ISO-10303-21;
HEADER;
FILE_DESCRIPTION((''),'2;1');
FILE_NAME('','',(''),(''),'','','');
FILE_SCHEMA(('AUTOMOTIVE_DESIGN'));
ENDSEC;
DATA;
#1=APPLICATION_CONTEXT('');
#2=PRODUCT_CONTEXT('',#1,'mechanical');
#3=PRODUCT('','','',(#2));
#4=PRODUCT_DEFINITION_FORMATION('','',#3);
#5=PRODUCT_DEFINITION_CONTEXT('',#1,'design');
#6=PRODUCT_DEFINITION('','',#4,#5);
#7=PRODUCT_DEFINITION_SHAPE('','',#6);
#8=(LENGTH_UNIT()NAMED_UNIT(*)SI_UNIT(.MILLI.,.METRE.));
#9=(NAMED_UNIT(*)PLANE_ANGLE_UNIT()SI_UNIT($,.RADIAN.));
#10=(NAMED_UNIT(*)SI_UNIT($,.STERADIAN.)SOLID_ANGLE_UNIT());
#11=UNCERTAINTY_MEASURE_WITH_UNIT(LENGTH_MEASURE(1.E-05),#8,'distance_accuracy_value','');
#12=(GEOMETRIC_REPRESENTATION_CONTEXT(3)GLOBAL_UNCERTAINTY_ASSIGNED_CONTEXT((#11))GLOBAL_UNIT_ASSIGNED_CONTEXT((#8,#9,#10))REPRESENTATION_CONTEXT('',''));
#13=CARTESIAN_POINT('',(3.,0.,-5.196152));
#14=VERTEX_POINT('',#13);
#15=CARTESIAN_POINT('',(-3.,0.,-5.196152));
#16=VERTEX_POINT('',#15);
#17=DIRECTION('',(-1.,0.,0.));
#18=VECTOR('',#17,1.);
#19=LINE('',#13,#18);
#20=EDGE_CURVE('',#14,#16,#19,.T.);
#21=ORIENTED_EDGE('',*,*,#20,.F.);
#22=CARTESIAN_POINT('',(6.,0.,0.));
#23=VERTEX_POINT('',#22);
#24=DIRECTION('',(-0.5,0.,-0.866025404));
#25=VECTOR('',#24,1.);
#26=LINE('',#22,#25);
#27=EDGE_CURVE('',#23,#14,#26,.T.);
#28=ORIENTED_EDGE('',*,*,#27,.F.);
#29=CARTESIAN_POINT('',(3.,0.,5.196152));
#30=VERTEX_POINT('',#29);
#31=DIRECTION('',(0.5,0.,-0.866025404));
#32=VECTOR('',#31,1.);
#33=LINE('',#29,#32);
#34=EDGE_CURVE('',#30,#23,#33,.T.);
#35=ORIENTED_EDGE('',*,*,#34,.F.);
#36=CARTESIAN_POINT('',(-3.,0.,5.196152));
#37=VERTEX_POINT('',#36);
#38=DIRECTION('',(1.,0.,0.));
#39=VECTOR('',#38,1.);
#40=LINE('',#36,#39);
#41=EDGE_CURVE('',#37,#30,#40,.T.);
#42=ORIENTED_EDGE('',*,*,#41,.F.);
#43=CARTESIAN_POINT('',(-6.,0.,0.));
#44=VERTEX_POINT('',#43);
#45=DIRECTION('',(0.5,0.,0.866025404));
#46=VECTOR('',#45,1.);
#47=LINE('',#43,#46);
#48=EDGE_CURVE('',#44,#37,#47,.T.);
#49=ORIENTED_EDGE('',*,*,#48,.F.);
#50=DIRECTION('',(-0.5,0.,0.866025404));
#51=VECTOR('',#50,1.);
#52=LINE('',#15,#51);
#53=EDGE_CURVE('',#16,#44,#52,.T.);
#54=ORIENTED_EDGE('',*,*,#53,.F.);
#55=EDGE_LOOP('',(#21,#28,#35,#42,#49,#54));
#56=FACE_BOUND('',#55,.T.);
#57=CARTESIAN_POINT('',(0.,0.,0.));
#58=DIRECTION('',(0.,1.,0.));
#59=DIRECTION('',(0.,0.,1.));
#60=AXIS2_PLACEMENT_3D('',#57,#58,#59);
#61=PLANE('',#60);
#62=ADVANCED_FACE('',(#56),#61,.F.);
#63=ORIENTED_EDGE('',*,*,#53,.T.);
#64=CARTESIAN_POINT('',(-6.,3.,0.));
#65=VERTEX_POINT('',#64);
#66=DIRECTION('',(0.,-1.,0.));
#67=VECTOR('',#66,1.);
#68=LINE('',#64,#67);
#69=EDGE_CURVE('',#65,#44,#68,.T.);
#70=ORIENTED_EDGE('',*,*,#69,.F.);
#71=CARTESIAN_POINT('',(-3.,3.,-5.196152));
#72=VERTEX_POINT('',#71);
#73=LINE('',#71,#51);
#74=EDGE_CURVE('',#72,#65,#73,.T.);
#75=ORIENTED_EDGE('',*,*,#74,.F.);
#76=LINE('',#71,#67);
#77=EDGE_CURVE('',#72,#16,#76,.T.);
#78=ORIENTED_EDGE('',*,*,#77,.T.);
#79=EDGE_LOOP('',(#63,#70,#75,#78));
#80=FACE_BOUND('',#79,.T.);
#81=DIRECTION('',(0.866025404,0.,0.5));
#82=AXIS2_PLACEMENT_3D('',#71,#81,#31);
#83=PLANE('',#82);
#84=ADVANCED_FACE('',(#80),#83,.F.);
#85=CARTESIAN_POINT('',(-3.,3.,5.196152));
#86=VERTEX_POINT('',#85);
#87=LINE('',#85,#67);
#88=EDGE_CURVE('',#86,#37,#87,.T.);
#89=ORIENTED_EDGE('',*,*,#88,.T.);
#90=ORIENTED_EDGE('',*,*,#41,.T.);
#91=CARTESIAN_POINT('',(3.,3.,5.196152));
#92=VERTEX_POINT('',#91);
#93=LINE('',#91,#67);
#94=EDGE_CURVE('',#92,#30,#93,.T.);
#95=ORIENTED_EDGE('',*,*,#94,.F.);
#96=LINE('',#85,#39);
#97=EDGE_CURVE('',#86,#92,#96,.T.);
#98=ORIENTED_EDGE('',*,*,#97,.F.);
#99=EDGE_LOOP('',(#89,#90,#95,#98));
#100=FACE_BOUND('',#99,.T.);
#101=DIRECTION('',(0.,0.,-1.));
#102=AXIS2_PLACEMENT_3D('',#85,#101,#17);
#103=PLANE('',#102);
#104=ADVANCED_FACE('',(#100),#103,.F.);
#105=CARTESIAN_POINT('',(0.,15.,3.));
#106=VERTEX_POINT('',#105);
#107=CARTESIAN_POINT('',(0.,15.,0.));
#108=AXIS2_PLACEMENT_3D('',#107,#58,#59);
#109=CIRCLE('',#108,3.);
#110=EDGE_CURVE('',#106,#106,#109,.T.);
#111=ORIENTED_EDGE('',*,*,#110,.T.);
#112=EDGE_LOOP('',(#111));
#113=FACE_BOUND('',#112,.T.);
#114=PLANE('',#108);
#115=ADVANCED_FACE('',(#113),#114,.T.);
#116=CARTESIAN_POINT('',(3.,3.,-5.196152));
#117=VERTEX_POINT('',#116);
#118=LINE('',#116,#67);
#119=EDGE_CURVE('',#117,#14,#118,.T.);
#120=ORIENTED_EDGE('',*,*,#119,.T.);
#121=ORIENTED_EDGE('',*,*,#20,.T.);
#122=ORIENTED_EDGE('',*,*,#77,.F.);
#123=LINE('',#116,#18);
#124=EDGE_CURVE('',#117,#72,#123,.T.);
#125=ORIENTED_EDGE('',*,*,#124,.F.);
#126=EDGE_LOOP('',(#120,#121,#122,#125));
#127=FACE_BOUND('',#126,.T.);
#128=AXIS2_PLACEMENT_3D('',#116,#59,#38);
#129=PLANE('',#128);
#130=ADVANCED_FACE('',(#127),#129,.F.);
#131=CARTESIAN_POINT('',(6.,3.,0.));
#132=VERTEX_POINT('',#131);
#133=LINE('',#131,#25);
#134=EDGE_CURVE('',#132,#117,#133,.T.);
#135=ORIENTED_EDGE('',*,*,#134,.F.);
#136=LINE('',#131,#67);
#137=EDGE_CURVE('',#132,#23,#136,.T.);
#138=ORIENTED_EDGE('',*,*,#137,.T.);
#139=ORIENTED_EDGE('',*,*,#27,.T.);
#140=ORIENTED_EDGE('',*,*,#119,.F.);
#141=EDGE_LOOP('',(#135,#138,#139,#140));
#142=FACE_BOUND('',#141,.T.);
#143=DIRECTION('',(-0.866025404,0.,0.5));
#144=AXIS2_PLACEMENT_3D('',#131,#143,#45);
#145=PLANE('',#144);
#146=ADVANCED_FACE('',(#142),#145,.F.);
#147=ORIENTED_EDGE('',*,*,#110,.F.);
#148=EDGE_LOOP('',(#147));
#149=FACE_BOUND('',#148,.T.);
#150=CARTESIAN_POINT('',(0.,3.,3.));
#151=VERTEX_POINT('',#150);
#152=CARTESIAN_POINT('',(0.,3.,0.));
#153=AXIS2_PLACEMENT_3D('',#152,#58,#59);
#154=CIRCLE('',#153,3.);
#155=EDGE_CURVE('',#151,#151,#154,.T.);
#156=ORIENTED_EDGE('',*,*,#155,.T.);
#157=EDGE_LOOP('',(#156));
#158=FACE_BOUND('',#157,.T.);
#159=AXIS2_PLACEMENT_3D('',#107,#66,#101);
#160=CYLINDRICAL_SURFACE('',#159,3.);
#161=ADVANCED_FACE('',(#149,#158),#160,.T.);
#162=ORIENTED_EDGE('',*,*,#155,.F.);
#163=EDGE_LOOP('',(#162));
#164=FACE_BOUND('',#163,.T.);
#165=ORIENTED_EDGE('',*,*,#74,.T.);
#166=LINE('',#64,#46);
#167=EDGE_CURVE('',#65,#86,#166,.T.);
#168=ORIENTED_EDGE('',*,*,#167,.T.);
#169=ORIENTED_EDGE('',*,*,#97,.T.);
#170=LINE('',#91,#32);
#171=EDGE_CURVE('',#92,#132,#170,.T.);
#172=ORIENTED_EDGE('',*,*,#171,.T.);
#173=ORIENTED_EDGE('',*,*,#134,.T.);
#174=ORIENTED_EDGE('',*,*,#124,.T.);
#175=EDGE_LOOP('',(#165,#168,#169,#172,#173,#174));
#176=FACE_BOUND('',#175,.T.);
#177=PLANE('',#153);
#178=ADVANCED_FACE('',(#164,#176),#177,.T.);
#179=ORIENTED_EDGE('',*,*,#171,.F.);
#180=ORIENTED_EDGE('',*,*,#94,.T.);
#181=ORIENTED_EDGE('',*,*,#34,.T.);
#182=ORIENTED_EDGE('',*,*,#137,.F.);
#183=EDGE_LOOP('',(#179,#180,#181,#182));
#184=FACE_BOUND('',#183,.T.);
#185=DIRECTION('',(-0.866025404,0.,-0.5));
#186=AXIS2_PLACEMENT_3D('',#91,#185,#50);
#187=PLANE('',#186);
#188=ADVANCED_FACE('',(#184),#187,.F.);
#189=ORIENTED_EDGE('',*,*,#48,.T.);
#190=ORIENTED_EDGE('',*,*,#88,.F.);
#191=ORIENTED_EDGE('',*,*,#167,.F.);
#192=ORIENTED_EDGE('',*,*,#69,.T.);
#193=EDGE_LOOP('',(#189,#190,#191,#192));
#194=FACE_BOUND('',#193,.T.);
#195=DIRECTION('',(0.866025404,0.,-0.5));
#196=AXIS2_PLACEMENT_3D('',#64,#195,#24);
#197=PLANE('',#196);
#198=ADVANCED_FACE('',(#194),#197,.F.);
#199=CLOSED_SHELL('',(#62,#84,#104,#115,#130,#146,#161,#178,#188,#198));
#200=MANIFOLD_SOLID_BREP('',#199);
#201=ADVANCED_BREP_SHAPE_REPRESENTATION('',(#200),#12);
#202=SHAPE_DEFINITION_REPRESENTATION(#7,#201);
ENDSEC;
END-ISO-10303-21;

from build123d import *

# Parameters (mm, degrees)
BOSS_EXTRUDE1_DEPTH = 3
SKETCH2_R           = 3
BOSS_EXTRUDE2_DEPTH = 12


with BuildPart() as part:
    # Sketch1 → Boss-Extrude1 (new body)
    with BuildSketch(Plane(origin=(0, 0, 0), x_dir=(1, 0, 0), z_dir=(0, 1, 0))):
        Polygon((3, -5.196152423), (6, 0), (3, 5.196152423), (-3, 5.196152423), (-6, 0), (-3, -5.196152423), align=None)
    extrude(amount=BOSS_EXTRUDE1_DEPTH)

    # Sketch2 → Boss-Extrude2 (add)
    with BuildSketch(Plane(origin=(0, 3, 0), x_dir=(1, 0, 0), z_dir=(0, 1, 0))):
        Circle(SKETCH2_R)
    extrude(amount=BOSS_EXTRUDE2_DEPTH)


solid = part.part
